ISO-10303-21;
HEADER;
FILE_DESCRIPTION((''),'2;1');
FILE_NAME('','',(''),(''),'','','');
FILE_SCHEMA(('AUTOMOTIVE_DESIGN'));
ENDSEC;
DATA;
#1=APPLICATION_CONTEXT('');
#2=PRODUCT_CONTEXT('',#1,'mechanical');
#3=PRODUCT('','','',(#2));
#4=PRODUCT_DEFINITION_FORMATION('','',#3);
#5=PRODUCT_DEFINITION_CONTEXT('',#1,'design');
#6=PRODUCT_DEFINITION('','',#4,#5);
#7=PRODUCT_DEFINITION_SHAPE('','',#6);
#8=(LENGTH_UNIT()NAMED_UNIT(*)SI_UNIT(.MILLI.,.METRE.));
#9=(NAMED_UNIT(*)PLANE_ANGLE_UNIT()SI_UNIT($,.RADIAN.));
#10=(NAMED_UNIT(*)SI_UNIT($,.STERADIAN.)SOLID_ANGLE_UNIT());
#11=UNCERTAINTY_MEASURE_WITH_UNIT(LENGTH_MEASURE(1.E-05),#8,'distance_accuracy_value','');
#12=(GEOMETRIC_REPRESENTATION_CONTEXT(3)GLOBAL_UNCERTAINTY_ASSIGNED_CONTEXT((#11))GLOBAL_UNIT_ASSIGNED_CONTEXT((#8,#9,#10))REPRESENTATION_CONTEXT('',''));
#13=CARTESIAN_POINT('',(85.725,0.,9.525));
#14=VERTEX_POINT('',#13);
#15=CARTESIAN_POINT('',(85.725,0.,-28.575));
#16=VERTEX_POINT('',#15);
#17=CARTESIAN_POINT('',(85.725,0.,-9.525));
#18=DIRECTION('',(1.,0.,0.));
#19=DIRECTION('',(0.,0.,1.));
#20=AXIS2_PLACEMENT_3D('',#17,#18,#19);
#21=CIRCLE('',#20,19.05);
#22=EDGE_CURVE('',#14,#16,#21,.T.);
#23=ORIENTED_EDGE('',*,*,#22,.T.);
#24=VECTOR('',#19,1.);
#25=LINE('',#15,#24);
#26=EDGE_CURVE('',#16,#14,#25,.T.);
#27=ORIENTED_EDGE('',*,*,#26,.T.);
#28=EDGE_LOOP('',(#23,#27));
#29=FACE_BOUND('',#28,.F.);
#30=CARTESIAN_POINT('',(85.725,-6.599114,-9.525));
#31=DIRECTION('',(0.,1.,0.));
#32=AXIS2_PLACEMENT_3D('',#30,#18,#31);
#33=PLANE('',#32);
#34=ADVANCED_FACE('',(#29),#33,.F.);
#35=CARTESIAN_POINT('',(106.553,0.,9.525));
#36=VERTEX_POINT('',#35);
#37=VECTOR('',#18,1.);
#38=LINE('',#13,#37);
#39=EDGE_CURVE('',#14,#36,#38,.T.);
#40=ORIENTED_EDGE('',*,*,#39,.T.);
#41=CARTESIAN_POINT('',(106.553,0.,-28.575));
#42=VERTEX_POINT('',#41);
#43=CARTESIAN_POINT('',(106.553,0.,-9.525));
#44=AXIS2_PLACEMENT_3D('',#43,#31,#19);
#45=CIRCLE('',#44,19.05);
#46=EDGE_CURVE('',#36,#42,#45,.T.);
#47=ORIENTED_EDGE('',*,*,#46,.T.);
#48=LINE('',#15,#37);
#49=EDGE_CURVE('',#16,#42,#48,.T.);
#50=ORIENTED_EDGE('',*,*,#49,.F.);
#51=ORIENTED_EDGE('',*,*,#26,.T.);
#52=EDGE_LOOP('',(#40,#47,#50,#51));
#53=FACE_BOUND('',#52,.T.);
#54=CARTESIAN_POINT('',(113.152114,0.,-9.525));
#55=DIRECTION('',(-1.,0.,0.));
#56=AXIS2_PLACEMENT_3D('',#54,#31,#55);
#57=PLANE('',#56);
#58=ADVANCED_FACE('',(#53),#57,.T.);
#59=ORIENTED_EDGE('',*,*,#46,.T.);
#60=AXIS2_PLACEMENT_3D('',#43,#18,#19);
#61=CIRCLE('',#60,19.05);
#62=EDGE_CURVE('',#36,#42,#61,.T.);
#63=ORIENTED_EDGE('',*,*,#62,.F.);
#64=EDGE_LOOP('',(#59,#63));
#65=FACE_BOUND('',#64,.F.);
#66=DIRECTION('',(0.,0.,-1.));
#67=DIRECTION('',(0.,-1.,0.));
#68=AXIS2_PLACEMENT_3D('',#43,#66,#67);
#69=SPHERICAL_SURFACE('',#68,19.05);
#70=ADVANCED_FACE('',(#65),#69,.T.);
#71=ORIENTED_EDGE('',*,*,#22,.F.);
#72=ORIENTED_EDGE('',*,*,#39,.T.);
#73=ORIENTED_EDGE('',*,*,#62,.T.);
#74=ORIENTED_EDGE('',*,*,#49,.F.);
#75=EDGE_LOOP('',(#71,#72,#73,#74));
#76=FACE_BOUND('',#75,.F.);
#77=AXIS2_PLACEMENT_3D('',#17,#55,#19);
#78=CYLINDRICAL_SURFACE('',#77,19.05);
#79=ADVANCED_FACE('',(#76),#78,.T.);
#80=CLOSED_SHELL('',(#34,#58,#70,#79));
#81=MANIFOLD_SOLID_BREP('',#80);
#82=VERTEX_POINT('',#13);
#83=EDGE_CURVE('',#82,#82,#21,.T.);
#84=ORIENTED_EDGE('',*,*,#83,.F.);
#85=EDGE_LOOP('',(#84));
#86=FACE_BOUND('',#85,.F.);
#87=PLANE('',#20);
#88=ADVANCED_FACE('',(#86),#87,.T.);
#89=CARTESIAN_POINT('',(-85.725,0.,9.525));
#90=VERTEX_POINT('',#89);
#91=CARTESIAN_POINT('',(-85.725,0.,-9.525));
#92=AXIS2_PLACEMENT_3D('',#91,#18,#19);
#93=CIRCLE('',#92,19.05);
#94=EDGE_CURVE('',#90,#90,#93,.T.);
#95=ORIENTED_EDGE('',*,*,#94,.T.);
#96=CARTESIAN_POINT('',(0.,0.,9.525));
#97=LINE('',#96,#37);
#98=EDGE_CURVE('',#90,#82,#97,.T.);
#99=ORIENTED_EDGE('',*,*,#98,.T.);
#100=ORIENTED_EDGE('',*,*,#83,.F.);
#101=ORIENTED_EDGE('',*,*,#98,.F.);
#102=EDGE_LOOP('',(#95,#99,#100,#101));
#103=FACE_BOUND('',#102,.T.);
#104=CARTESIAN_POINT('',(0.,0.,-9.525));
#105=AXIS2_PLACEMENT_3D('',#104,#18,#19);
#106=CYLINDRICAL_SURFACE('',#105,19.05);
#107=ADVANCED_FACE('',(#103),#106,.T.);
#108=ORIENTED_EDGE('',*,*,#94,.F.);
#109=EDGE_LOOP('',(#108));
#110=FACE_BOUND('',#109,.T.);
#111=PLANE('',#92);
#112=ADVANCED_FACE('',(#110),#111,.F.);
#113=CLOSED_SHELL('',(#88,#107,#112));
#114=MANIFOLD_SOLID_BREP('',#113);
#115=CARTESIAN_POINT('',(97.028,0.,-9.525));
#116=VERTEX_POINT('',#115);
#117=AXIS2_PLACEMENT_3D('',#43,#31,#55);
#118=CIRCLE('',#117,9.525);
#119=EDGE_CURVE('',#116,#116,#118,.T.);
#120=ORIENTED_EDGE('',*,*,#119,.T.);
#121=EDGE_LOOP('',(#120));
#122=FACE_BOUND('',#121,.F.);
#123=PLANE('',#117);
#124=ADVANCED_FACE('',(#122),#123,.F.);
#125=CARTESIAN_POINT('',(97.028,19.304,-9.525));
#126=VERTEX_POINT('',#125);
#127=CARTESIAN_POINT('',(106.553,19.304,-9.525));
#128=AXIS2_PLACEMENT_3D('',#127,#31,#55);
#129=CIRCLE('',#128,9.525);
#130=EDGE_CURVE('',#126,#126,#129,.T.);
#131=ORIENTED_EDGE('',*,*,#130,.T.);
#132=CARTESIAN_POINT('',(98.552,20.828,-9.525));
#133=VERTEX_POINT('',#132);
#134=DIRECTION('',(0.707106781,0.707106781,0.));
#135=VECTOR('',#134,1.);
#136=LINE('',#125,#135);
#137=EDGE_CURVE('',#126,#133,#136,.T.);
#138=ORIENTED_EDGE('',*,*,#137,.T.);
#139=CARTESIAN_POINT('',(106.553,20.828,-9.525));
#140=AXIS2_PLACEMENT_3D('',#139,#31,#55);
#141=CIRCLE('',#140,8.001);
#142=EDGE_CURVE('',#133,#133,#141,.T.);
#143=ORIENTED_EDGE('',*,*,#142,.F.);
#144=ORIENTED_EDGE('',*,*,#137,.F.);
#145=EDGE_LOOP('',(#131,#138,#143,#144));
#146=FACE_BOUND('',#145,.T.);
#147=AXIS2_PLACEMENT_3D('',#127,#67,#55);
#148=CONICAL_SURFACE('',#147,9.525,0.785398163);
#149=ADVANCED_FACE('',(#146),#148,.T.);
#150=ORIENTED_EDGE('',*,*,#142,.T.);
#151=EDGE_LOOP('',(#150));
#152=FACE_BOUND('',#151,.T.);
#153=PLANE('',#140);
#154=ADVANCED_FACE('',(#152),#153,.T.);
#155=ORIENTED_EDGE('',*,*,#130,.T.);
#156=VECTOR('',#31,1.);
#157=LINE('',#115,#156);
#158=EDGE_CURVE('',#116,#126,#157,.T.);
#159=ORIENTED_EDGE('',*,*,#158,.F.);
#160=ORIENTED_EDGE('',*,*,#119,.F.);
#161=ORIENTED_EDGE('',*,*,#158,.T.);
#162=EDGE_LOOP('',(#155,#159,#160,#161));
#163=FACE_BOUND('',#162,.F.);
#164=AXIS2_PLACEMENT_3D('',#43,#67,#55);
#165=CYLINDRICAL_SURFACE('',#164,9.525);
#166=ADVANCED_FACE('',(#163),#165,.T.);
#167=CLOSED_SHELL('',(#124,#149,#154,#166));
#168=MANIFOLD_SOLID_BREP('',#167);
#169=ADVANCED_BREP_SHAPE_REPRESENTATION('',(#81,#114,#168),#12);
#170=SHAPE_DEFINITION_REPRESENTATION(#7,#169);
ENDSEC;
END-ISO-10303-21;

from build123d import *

# Parameters (mm, degrees)
F0_W     = 171.45
F0_H     = 19.05
F3_DEPTH = 20.828
F5_ANGLE = 90
F6_R     = 9.525
F7_DEPTH = 20.828
F8_SIZE  = 1.524


with BuildPart() as f1:
    # F0 (on Front) → F1 (revolve)
    with BuildSketch(Plane.XZ):
        Rectangle(F0_W, F0_H)
    revolve(axis=Axis((0, 0, -9.525), (1, 0, 0)))


with BuildPart() as f3:
    # F2 (on face) → F3 (new body)
    with BuildSketch(Plane.YZ.offset(85.725)):
        with BuildLine():
            Line((0, -28.575), (0, 9.525))
            ThreePointArc((0, 9.525), (-19.05, -9.525), (0, -28.575))
        make_face()
    extrude(amount=F3_DEPTH)

    # F4 (on face) → F5 (revolve)
    with BuildSketch(Plane.YZ.offset(106.553)):
        with BuildLine():
            ThreePointArc((0, 9.525), (-19.05, -9.525), (0, -28.575))
            Line((0, -28.575), (0, 9.525))
        make_face()
    revolve(axis=Axis((106.553, 0, -9.525), (0, 0, 1)), revolution_arc=F5_ANGLE)


with BuildPart() as f7:
    # F6 (on face) → F7 (new body)
    with BuildSketch(Plane(origin=(0, 0, 0), x_dir=(-1, 0, 0), z_dir=(0, 1, 0))):
        with Locations((-106.553, -9.525)):
            Circle(F6_R)
    extrude(amount=F7_DEPTH)

    # F8
    f8_edges = [f7.edges().sort_by_distance(p)[0] for p in [
        (116.078, 20.828, -9.525),
    ]]
    chamfer(f8_edges, length=F8_SIZE)


solid = Compound([f1.part, f3.part, f7.part])
